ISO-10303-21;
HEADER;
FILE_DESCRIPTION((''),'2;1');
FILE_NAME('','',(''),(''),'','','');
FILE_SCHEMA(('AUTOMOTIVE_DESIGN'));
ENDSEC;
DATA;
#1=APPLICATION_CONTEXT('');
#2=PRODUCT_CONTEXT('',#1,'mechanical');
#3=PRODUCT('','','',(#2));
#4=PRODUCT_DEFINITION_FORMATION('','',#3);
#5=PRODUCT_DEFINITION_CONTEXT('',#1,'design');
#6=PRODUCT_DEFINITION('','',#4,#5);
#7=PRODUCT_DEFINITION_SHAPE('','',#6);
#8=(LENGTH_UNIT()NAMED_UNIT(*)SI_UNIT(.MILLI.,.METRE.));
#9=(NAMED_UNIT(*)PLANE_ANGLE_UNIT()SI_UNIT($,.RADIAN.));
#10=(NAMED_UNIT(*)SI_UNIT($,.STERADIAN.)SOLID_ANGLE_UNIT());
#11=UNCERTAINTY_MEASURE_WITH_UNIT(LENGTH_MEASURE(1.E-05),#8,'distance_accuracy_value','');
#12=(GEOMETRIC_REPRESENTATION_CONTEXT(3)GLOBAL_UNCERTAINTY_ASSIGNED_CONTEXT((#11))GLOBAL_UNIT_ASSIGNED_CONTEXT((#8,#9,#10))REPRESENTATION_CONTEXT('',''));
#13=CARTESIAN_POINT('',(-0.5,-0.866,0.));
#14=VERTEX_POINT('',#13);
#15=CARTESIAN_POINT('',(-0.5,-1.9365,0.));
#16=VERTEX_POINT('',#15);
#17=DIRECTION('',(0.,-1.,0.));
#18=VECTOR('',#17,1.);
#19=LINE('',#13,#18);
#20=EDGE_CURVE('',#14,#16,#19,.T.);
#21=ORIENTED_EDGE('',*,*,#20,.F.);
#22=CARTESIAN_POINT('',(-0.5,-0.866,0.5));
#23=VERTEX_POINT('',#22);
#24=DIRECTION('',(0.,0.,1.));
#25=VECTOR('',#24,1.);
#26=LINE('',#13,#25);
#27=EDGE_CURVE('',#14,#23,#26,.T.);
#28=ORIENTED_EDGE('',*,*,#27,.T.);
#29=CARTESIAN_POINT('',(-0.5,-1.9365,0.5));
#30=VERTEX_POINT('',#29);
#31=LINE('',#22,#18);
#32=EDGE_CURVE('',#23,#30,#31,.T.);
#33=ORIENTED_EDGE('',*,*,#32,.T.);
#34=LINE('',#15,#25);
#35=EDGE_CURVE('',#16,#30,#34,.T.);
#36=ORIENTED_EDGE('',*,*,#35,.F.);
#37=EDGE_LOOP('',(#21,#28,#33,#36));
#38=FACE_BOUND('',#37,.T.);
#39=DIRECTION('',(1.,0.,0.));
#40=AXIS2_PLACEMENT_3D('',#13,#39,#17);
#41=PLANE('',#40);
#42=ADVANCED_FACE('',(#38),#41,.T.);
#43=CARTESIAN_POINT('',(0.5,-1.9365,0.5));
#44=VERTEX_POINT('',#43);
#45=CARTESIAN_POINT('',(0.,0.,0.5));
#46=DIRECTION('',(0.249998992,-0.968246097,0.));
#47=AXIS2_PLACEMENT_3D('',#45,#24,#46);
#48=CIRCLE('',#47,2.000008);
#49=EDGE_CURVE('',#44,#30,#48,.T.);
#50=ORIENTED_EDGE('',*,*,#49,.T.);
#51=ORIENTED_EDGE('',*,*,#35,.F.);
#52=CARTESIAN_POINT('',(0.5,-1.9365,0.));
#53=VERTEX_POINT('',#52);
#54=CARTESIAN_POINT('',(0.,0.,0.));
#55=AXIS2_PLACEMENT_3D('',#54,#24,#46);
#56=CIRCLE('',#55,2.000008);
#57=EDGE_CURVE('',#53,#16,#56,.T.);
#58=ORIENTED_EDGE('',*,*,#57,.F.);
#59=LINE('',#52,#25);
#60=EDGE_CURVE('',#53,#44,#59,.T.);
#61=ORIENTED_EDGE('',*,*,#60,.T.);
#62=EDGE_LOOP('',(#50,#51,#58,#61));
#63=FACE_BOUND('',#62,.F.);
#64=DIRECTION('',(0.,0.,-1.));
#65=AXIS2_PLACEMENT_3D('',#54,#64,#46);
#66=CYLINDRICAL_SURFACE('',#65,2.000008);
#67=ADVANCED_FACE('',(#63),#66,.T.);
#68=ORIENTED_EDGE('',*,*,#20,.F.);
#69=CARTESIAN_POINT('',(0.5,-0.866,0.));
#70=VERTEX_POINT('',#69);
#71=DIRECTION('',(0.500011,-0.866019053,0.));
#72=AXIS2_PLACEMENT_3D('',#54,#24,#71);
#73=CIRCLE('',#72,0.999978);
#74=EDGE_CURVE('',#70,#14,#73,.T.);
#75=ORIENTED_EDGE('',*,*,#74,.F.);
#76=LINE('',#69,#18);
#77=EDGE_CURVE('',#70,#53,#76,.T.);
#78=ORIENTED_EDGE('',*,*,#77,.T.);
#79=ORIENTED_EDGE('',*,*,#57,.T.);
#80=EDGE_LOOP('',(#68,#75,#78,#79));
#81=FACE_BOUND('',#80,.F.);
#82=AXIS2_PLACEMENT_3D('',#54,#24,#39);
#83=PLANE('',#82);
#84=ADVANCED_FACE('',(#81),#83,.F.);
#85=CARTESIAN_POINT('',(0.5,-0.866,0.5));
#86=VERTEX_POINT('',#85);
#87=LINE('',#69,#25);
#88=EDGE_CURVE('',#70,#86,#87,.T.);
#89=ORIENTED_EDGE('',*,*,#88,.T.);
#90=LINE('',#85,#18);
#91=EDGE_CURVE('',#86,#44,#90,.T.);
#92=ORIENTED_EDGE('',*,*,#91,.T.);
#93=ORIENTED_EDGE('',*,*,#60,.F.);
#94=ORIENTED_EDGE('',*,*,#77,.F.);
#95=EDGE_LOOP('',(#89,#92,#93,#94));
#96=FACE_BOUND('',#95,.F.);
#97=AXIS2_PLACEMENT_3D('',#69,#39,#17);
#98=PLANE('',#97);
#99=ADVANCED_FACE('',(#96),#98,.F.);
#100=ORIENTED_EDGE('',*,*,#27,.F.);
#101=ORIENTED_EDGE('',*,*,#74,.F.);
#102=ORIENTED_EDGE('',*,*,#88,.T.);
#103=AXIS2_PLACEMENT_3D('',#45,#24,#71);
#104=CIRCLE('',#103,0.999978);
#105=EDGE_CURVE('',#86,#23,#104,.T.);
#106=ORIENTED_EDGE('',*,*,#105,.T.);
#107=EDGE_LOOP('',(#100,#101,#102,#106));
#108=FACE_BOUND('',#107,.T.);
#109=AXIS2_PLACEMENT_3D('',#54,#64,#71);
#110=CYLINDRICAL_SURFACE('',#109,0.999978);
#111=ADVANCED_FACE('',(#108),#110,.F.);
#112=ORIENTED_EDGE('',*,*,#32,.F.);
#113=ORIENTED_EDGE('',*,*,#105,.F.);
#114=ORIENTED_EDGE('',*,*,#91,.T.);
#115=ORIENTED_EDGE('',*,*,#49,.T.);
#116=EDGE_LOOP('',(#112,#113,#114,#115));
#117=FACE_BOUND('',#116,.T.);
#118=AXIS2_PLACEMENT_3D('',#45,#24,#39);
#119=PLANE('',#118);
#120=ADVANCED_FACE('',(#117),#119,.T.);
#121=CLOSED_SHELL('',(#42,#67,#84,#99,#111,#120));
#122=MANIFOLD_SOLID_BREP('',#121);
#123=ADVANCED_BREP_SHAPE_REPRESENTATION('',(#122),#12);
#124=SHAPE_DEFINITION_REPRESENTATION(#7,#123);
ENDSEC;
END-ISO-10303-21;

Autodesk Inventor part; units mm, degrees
ref_plane "YZ Plane" through (0, 0, 0) normal (1, 0, 0) x (0, 1, 0)
ref_plane "XZ Plane" through (0, 0, 0) normal (0, 1, 0) x (-1, 0, 0)
ref_plane "XY Plane" through (0, 0, 0) normal (0, 0, 1) x (1, 0, 0)
sketch "Sketch1" plane through (0, 0, 0) normal (0, 0, 1) x (1, 0, 0)
  arc A0 (0.5, -0.866) -> (-0.5, -0.866) centre (0, 0) ccw
  arc A1 (0.5, -1.9365) -> (-0.5, -1.9365) centre (0, 0) ccw
  line L0 (-0.5, -0.866) -> (-0.5, -1.9365)
  line L1 (0.5, -0.866) -> (0.5, -1.9365)
  dimension "d0" = 2
  dimension "d1" = 4
  dimension "d28" = 1
extrude "Extrusion1" add sketch "Sketch1" along normal blind 0.5
equation "\"d13\" = 18.5"
equation "\"d14\" = 4.45"
equation "\"d15\" = 0.67"
equation "\"d16\" = 2"
equation "\"d17\" = 2.68"
equation "\"d18\" = 8.5"
equation "\"d19\" = 11.2"
equation "\"d20\" = 2.5"
equation "\"d21\" = 4.5"
equation "\"d22\" = 14.5"
properties part number "Retaining Ring" material "Aluminum 6061"
